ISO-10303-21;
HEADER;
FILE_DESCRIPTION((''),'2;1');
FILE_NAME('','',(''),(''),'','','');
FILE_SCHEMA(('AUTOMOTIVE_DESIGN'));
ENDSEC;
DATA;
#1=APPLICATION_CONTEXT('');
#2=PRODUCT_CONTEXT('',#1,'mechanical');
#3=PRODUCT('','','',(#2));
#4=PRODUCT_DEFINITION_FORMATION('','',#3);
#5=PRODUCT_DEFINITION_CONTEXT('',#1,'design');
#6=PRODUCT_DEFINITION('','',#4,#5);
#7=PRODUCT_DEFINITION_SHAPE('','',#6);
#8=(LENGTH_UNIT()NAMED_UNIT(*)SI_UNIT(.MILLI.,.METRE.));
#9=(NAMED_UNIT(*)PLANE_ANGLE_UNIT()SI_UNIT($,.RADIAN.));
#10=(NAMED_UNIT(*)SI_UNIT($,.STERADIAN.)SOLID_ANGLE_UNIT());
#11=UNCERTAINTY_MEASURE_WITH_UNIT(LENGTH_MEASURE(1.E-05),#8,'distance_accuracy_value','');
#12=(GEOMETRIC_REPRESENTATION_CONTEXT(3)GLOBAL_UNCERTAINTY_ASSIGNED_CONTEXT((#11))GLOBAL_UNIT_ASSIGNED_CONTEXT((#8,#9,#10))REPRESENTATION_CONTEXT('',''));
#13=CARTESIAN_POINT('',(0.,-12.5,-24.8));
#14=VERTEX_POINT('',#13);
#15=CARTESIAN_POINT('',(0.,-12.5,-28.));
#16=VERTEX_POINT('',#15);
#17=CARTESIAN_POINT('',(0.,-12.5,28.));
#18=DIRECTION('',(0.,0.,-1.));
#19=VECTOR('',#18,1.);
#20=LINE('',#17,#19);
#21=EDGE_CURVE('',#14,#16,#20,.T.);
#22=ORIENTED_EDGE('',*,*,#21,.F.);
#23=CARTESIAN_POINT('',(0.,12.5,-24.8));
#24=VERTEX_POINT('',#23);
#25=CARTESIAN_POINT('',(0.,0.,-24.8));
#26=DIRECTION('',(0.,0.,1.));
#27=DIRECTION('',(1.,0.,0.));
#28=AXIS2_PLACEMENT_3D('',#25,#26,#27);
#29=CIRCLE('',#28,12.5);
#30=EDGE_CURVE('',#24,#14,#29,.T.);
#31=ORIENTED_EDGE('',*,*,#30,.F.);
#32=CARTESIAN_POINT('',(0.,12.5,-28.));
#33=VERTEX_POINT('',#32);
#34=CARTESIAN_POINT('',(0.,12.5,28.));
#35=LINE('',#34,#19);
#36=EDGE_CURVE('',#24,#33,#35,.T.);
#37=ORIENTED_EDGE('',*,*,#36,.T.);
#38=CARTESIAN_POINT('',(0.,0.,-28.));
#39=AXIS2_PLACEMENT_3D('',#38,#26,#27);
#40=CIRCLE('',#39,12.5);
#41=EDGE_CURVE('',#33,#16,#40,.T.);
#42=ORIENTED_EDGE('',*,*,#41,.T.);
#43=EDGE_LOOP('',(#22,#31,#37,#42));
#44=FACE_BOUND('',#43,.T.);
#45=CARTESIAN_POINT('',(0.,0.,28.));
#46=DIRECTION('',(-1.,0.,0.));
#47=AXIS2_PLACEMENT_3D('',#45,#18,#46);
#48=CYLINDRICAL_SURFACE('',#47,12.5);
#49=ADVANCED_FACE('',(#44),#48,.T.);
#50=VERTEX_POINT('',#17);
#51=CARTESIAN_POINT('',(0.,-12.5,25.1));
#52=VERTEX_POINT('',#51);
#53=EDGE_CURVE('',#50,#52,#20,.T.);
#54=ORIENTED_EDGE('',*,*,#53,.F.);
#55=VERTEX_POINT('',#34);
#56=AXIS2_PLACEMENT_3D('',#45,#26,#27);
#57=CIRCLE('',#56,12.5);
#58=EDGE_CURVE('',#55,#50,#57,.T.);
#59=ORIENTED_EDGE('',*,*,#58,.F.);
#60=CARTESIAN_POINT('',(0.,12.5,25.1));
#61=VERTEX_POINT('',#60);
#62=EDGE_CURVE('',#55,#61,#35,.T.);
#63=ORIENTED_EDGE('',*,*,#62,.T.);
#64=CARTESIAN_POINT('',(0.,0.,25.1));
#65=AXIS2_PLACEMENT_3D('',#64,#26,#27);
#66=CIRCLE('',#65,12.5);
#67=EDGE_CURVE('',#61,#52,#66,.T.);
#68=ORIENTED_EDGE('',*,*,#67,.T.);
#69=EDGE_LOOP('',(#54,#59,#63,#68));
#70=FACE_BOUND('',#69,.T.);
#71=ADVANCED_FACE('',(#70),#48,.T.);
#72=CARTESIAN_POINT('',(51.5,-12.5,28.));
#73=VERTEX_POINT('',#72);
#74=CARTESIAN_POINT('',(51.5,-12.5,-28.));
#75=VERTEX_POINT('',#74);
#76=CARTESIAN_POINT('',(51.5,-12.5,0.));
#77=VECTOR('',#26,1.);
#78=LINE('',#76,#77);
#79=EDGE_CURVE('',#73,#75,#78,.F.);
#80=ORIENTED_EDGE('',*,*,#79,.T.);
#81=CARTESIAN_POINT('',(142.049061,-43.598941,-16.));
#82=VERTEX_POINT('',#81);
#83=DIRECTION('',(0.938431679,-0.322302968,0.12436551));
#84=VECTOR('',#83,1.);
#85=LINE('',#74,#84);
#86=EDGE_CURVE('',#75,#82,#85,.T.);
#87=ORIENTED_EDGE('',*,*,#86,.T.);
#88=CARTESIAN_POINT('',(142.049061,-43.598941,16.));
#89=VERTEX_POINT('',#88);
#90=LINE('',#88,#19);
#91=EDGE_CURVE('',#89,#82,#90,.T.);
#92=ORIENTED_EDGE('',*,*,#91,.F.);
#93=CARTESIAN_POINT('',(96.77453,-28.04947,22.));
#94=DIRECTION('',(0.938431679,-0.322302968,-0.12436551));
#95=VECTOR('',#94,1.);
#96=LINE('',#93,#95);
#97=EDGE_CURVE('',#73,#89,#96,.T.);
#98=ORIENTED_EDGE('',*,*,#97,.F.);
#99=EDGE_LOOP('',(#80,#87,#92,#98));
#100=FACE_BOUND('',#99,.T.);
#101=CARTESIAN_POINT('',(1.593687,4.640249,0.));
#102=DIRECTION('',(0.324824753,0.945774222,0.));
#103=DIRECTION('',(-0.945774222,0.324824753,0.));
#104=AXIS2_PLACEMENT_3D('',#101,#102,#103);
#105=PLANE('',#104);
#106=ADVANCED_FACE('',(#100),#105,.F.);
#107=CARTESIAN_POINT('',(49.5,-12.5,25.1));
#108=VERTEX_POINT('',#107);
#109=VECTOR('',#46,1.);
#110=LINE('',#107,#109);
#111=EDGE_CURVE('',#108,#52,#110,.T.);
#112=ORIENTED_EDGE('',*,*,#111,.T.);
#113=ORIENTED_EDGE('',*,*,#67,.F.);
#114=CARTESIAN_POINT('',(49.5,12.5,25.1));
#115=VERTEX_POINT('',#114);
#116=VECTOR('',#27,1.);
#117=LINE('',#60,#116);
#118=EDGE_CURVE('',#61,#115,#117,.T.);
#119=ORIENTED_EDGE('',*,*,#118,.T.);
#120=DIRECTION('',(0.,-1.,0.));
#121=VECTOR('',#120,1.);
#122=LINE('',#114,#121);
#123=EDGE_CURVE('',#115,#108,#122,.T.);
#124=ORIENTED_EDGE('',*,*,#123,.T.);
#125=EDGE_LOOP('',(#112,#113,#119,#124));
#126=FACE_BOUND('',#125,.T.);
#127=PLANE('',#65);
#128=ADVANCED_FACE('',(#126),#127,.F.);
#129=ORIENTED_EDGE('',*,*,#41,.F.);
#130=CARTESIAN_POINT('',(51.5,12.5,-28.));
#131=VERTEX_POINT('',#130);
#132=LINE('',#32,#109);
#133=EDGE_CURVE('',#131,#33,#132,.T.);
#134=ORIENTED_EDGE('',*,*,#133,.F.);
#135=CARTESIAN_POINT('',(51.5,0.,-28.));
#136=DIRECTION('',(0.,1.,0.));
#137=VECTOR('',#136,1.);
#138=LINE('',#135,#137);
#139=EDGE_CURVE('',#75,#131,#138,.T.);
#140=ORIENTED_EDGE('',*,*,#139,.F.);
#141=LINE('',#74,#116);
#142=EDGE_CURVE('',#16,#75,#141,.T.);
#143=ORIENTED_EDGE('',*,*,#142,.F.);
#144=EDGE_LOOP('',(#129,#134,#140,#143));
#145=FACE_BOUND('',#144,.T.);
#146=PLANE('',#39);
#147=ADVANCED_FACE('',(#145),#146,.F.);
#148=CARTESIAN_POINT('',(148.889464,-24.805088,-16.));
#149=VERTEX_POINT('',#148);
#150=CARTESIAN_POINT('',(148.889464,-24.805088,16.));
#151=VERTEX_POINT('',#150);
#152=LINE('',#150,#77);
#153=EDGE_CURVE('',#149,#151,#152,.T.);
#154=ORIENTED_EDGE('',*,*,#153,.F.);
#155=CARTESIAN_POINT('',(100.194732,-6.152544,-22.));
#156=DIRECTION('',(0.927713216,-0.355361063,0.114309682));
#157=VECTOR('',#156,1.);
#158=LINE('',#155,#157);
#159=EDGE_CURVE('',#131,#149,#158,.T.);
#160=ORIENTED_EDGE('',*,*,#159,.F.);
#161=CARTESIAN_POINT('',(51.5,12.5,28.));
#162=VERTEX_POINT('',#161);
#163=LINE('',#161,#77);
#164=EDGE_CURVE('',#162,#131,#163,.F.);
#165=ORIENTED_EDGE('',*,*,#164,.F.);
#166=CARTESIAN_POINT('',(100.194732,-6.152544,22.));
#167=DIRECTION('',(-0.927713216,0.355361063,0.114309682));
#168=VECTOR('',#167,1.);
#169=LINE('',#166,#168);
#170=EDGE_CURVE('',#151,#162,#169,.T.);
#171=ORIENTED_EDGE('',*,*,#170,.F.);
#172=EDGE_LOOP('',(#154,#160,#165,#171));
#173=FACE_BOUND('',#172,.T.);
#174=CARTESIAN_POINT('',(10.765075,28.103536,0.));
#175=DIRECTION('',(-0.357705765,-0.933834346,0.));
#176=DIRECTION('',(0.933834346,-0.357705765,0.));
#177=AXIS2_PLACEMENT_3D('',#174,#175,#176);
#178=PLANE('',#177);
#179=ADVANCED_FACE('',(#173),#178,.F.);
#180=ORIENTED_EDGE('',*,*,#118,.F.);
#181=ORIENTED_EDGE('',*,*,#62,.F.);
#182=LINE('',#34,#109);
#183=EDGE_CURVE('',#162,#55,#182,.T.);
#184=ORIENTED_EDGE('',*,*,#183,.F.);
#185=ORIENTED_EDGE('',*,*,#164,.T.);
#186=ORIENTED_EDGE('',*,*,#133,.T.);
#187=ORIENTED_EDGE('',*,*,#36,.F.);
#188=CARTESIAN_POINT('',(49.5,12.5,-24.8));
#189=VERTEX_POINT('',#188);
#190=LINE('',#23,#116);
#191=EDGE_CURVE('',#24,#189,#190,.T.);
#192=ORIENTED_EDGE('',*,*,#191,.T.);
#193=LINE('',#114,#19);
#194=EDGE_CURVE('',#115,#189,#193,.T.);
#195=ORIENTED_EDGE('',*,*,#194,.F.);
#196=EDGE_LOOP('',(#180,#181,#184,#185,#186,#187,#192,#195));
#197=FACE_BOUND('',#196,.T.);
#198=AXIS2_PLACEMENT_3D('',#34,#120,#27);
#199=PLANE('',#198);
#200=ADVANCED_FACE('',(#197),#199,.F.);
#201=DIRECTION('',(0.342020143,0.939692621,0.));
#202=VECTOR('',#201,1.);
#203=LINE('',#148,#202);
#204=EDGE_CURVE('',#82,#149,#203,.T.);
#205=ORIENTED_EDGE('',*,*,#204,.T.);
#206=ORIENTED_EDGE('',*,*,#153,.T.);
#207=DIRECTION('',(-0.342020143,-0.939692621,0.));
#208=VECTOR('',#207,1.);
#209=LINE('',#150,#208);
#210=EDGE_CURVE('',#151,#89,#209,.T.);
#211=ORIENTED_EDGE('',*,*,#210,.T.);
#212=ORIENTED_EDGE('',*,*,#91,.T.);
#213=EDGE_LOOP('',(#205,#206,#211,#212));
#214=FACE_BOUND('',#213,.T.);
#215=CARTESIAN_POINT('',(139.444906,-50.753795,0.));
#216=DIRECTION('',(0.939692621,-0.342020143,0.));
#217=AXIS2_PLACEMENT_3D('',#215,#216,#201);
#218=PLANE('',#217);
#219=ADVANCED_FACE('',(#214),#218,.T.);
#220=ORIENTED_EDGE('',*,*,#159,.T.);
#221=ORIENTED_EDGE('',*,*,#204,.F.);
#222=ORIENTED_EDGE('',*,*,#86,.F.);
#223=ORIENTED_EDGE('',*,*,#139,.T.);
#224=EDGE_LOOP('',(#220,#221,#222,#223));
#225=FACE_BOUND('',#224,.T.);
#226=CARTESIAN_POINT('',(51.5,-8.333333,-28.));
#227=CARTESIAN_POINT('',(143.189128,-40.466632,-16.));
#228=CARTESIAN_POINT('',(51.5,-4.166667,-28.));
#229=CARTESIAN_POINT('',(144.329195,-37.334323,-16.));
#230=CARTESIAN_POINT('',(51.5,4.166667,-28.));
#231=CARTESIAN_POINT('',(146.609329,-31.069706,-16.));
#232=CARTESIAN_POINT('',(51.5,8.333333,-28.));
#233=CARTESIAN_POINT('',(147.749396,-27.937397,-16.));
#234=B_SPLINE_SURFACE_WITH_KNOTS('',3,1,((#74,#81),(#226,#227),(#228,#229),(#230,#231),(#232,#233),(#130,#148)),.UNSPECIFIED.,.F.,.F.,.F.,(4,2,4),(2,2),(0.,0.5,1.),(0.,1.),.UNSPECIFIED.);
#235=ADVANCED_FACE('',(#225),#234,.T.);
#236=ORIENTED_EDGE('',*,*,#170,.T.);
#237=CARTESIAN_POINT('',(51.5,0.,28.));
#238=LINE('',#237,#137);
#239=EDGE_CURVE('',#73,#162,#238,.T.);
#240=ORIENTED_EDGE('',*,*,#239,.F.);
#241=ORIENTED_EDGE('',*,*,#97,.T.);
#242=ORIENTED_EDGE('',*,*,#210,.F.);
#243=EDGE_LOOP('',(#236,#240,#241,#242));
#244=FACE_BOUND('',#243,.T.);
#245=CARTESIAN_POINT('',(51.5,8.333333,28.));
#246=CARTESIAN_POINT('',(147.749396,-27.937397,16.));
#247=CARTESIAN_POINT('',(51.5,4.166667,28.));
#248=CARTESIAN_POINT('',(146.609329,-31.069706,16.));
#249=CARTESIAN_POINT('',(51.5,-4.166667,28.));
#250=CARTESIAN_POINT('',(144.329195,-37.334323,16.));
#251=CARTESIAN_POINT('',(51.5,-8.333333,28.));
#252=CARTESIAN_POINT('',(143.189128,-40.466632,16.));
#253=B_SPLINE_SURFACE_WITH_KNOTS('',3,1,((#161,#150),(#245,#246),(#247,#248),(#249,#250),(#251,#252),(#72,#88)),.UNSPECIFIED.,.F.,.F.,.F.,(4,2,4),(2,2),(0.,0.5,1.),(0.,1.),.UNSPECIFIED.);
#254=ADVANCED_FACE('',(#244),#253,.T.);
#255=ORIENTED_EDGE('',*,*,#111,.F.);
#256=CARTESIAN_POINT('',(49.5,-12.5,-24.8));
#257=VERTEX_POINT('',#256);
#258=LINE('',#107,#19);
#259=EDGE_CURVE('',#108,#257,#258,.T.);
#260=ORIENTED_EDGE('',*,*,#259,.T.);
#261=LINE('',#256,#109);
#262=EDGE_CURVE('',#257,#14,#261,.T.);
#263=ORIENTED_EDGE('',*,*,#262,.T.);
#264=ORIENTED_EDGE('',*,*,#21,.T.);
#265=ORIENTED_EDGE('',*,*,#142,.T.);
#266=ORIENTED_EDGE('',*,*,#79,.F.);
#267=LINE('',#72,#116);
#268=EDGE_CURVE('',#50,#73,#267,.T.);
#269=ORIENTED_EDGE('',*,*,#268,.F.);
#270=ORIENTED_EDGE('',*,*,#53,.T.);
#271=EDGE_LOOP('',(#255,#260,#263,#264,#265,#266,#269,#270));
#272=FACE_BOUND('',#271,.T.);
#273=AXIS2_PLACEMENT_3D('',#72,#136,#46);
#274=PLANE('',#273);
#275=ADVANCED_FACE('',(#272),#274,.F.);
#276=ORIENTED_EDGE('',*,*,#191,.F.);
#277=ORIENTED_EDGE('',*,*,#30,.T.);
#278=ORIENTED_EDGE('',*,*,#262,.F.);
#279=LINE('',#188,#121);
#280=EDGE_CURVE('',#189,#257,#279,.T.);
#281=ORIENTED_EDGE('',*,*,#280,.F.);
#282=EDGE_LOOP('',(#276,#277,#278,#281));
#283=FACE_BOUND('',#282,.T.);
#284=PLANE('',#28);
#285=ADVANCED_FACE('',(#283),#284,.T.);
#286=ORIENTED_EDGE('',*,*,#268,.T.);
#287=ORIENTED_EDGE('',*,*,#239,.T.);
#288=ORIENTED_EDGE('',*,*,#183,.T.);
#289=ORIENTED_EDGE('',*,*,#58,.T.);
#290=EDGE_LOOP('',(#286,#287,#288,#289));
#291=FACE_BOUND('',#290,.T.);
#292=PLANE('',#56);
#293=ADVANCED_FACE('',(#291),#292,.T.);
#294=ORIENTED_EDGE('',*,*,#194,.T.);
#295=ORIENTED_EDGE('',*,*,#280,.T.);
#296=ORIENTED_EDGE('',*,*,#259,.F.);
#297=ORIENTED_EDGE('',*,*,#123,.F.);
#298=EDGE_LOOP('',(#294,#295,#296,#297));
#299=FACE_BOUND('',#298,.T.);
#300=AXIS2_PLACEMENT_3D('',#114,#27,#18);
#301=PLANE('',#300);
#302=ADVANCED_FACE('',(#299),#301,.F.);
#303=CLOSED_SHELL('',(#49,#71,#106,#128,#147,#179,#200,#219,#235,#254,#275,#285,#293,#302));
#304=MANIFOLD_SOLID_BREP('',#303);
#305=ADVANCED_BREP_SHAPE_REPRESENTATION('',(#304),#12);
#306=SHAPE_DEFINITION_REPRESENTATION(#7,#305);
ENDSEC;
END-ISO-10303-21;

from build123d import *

# Parameters (mm, degrees)
EXTRUDE_1_DEPTH          = 28
CUT_EXTRUDE_1_DEPTH      = 25.1
CUT_EXTRUDE_1_DEPTH_BACK = 24.8
SKETCH_3_W               = 56
SKETCH_3_H               = 25
SKETCH_6_W               = 32
SKETCH_6_H               = 20


with BuildPart() as part:
    # Эскиз1 → Бобышка-Вытянуть1 (new body, symmetric)
    with BuildSketch(Plane.XY):
        with BuildLine():
            Line((0, 12.5), (51.5, 12.5))
            Line((51.5, 12.5), (51.5, -12.5))
            Line((51.5, -12.5), (0, -12.5))
            ThreePointArc((0, -12.5), (-12.5, 0), (0, 12.5))
        make_face()
    extrude(amount=EXTRUDE_1_DEPTH, both=True)

    # Эскиз2 → Вырез-Вытянуть1 (cut, two sides)
    with BuildSketch(Plane.XY) as cut_extrude_1_sk:
        with BuildLine():
            Line((0, 12.5), (49.5, 12.5))
            Line((49.5, 12.5), (49.5, -12.5))
            Line((49.5, -12.5), (0, -12.5))
            ThreePointArc((0, -12.5), (-12.5, 0), (0, 12.5))
        make_face()
    extrude(amount=CUT_EXTRUDE_1_DEPTH, mode=Mode.SUBTRACT)
    extrude(cut_extrude_1_sk.sketch, amount=-CUT_EXTRUDE_1_DEPTH_BACK, mode=Mode.SUBTRACT)

    # Эскиз3 → По сечениям1 section 0
    with BuildSketch(Plane(origin=(51.5, 0, 0), x_dir=(0, 0, -1), z_dir=(1, 0, 0))):
        Rectangle(SKETCH_3_W, SKETCH_3_H)
    # Эскиз6 → По сечениям1 section 1
    with BuildSketch(Plane(origin=(145.469262079, -34.202014333, 0), x_dir=(0, 0, -1), z_dir=(0.939692621, -0.342020143, 0))):
        Rectangle(SKETCH_6_W, SKETCH_6_H)
    loft()


solid = part.part
